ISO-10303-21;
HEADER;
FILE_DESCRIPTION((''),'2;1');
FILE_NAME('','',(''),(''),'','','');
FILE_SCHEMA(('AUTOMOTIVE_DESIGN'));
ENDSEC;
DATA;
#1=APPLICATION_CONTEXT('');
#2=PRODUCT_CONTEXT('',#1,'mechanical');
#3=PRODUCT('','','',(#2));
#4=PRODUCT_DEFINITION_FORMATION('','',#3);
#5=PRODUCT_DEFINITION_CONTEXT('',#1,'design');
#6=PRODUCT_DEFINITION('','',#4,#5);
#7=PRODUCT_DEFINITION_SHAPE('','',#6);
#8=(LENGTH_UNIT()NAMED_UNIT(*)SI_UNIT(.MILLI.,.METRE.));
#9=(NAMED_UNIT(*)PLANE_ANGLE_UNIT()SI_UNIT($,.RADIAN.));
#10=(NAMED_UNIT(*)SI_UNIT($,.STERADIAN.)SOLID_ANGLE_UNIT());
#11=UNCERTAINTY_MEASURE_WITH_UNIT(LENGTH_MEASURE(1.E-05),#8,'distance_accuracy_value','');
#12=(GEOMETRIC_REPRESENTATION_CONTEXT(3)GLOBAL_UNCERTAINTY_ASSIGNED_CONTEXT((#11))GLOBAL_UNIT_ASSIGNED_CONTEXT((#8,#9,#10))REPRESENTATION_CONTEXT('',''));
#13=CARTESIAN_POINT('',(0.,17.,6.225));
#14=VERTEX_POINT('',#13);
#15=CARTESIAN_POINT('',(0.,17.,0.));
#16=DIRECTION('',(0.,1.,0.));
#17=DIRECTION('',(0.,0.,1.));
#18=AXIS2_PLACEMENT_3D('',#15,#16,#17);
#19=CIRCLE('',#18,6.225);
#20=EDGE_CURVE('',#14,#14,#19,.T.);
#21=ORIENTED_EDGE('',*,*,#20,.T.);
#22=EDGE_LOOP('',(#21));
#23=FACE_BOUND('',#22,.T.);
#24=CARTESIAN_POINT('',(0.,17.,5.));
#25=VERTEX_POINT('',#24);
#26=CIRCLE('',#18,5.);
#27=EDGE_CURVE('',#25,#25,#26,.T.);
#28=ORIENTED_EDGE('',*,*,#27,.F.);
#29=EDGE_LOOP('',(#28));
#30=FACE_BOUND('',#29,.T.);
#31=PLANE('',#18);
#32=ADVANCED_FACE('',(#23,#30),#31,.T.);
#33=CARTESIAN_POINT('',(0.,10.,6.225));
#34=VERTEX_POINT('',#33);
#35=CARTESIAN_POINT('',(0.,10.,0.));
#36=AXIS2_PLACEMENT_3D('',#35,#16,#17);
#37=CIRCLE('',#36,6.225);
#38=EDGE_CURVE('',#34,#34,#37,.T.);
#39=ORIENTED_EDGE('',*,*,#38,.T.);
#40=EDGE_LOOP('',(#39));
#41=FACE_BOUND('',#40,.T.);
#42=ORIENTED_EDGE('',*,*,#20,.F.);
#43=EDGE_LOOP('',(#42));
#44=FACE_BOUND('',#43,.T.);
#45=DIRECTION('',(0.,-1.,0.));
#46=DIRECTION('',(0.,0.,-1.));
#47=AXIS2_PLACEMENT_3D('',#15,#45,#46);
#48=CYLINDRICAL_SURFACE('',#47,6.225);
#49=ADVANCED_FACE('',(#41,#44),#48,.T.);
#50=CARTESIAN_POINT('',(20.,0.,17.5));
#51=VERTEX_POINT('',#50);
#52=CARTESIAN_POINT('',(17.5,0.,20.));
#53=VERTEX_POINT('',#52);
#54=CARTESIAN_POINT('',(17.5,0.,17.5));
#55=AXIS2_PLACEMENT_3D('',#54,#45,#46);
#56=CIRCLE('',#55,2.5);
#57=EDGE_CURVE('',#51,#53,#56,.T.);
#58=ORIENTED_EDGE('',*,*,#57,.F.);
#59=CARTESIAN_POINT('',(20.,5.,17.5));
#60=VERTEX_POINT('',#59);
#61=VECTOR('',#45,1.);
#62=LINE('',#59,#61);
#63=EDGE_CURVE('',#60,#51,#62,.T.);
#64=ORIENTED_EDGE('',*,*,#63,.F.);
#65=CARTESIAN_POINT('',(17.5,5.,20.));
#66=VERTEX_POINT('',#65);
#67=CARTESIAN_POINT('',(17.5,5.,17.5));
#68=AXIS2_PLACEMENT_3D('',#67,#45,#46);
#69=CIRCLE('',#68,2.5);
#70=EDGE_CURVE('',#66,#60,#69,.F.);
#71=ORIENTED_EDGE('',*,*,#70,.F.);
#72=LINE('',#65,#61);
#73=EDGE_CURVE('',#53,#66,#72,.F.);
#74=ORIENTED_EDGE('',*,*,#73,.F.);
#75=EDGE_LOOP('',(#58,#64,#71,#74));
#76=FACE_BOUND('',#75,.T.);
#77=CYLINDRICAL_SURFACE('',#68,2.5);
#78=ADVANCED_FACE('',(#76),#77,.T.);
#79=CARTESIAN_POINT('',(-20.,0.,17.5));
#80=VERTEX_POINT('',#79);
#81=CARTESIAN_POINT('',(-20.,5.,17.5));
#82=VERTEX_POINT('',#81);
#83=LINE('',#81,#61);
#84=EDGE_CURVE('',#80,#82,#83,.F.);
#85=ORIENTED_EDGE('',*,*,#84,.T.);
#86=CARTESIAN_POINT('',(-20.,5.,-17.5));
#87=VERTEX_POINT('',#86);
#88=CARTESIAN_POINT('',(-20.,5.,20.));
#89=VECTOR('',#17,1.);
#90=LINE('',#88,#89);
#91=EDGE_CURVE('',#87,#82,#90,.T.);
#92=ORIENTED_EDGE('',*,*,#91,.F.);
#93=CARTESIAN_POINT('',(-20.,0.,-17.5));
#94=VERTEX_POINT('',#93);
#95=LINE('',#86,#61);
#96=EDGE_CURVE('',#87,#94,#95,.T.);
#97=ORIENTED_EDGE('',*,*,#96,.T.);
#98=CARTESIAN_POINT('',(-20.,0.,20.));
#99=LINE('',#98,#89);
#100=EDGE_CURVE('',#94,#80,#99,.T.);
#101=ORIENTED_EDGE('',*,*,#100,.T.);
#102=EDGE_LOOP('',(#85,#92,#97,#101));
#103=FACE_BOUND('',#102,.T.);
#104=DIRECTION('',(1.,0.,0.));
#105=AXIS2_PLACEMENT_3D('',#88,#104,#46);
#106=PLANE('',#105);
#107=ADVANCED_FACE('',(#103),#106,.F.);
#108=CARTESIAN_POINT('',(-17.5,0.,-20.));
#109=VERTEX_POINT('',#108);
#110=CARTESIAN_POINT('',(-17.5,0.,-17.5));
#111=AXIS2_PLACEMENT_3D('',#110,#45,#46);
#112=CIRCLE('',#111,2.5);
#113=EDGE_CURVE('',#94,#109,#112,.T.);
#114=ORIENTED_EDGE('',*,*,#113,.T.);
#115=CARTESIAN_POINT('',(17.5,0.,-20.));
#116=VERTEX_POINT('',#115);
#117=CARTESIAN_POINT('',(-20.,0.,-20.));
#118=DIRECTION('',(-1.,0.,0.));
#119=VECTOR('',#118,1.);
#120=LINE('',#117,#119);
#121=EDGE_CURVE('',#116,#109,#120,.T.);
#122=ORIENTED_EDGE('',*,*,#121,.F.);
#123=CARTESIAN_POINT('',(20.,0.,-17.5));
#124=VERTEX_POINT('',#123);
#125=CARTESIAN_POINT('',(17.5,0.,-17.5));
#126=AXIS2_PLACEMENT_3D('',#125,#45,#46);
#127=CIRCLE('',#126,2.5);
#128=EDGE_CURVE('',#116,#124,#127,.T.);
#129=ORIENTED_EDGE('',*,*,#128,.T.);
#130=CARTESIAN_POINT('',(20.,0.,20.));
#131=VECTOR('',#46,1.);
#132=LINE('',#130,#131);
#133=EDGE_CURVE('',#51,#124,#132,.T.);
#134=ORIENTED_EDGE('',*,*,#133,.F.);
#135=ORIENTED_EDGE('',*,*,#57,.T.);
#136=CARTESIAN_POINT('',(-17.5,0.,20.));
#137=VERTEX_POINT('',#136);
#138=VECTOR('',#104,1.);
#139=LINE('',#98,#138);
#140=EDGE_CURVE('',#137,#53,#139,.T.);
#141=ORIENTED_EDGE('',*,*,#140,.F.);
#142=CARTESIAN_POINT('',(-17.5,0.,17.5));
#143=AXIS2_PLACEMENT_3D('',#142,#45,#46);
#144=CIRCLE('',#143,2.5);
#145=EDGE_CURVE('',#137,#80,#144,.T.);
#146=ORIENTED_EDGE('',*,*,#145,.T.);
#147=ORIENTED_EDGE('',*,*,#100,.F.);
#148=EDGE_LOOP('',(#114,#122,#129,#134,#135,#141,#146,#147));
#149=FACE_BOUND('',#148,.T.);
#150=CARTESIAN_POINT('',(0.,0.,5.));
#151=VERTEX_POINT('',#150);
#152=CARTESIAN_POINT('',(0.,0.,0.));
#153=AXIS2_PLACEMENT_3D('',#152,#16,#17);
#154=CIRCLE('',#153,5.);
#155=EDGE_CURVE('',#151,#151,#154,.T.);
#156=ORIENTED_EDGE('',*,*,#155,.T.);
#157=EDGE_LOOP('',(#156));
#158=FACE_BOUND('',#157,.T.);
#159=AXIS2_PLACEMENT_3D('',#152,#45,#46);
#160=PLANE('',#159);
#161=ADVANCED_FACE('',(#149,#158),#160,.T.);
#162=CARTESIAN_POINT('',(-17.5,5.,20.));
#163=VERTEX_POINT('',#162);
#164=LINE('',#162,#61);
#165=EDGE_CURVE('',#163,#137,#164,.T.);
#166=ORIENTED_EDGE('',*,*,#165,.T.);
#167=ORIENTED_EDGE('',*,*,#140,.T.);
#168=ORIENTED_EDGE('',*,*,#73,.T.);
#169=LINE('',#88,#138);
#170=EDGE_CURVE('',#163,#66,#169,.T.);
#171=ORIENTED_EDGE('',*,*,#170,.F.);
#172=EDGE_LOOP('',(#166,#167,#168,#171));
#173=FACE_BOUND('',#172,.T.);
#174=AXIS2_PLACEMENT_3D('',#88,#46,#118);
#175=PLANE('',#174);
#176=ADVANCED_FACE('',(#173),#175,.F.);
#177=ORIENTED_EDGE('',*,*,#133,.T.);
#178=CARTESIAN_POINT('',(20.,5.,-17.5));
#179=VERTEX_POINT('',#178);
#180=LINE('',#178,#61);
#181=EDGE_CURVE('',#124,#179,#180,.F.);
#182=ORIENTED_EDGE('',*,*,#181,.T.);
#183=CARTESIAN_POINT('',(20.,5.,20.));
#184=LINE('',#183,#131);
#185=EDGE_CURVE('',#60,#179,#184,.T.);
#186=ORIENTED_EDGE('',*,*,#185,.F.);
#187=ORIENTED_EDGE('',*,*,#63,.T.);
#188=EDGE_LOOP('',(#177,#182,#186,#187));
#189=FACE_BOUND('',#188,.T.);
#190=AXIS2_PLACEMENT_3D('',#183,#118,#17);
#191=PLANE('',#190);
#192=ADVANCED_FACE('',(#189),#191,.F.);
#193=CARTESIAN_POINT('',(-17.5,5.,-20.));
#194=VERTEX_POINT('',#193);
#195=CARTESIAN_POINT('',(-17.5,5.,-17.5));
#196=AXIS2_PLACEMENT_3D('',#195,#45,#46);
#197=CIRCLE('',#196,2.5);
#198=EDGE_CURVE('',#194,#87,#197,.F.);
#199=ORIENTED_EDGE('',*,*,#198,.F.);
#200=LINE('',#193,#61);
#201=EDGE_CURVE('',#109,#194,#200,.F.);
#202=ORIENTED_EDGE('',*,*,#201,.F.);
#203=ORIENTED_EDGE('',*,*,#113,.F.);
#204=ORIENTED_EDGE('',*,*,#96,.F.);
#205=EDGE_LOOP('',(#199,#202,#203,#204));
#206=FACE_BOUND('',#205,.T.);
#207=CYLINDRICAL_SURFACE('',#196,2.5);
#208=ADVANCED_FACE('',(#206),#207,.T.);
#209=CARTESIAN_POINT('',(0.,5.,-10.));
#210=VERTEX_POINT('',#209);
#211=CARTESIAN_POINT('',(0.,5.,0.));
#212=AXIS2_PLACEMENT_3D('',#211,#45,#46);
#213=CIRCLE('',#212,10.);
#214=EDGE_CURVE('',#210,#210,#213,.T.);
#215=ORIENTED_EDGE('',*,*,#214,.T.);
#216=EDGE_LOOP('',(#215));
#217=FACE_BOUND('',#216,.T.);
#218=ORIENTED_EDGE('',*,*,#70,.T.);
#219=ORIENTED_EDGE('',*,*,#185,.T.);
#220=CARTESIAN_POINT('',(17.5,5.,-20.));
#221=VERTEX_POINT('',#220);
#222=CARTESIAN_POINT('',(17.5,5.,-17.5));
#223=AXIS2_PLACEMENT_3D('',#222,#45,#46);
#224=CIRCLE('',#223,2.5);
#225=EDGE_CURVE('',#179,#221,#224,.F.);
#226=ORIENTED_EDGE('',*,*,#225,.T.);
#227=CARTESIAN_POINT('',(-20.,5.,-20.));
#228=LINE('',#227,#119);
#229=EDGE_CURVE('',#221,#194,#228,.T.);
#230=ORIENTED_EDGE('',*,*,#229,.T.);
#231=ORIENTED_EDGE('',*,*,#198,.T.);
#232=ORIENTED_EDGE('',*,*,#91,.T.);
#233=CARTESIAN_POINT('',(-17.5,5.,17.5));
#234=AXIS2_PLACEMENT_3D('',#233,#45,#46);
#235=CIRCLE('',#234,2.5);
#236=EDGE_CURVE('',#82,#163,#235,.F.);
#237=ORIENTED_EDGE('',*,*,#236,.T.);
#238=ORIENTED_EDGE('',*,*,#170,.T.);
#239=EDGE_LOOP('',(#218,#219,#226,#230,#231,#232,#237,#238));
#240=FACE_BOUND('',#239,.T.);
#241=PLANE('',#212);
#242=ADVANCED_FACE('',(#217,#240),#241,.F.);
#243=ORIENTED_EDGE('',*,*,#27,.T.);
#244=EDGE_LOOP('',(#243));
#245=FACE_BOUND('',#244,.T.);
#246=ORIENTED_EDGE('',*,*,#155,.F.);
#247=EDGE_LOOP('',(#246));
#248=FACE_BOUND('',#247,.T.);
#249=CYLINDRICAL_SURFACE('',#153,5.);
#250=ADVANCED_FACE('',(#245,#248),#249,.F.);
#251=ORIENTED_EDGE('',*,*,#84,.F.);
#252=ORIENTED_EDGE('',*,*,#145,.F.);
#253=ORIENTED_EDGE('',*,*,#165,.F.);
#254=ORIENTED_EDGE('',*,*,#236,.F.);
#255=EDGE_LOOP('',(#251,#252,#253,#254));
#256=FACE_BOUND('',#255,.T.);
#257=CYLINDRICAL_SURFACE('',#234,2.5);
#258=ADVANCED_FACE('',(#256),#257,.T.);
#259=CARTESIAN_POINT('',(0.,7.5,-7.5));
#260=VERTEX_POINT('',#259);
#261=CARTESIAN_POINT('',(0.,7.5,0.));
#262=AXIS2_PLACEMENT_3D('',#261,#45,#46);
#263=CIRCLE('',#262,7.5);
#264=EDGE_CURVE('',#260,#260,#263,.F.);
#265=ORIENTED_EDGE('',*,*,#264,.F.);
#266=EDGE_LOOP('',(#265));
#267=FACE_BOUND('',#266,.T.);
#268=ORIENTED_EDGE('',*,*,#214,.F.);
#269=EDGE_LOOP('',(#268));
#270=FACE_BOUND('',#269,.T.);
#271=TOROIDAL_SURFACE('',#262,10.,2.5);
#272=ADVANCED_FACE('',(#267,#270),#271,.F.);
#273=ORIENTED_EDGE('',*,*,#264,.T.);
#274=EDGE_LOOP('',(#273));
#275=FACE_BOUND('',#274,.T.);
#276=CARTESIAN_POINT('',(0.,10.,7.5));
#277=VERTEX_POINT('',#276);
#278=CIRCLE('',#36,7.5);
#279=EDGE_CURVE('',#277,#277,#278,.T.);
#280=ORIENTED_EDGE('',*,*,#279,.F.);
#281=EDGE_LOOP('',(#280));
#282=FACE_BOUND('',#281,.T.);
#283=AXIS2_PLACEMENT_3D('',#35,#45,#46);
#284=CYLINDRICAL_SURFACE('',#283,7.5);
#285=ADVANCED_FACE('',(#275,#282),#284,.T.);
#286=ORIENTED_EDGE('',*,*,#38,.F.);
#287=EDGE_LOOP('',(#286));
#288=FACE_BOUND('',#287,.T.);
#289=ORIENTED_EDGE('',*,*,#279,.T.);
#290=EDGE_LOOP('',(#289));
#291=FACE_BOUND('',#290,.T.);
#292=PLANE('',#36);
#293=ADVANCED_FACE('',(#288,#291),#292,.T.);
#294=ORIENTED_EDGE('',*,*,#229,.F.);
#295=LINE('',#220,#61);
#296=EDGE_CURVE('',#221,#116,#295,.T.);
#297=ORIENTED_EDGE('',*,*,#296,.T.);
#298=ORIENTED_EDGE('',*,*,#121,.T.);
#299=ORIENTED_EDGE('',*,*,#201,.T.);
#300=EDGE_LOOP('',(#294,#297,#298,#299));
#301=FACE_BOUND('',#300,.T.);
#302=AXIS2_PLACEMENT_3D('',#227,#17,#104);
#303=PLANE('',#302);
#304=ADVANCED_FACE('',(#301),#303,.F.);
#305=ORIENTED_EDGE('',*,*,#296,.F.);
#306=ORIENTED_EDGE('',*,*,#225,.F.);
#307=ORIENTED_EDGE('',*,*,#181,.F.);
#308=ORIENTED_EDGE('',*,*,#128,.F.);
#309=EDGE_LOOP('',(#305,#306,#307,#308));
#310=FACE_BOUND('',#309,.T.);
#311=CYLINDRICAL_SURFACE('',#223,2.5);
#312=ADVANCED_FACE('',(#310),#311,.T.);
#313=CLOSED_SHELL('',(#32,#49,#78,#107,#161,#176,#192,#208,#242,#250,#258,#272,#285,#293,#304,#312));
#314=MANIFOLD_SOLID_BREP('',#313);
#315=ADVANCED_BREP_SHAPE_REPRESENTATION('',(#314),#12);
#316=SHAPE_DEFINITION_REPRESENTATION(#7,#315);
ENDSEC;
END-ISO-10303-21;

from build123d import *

# Parameters (mm, degrees)
SKETCH1_W           = 40
SKETCH1_H           = 40
BOSS_EXTRUDE1_DEPTH = 5
SKETCH2_R           = 7.5
BOSS_EXTRUDE2_DEPTH = 5
SKETCH4_R           = 6.225
BOSS_EXTRUDE3_DEPTH = 7
FILLET1_R           = 2.5
SKETCH5_R           = 5
CUT_EXTRUDE1_DEPTH  = 17


with BuildPart() as part:
    # Sketch1 → Boss-Extrude1 (new body)
    with BuildSketch(Plane(origin=(0, 0, 0), x_dir=(1, 0, 0), z_dir=(0, 1, 0))):
        Rectangle(SKETCH1_W, SKETCH1_H)
    extrude(amount=BOSS_EXTRUDE1_DEPTH)

    # Sketch2 → Boss-Extrude2 (add)
    with BuildSketch(Plane(origin=(0, 5, 0), x_dir=(1, 0, 0), z_dir=(0, 1, 0))):
        with Locations(Location((0, 0, 0), (0, 0, 270))):
            Circle(SKETCH2_R)
    extrude(amount=BOSS_EXTRUDE2_DEPTH)

    # Sketch4 → Boss-Extrude3 (add)
    with BuildSketch(Plane(origin=(0, 10, 0), x_dir=(1, 0, 0), z_dir=(0, 1, 0))):
        with Locations(Location((0, 0, 0), (0, 0, 270))):
            Circle(SKETCH4_R)
    extrude(amount=BOSS_EXTRUDE3_DEPTH)

    # Fillet1
    fillet1_edges = [part.edges().sort_by_distance(p)[0] for p in [
        (0, 5, -7.5),
        (20, 2.5, 20),
        (-20, 2.5, 20),
        (-20, 2.5, -20),
        (20, 2.5, -20),
    ]]
    fillet(fillet1_edges, radius=FILLET1_R)

    # Sketch5 → Cut-Extrude1 (cut)
    with BuildSketch(Plane(origin=(0, 17, 0), x_dir=(1, 0, 0), z_dir=(0, 1, 0))):
        with Locations(Location((0, 0, 0), (0, 0, 270))):
            Circle(SKETCH5_R)
    extrude(amount=-CUT_EXTRUDE1_DEPTH, mode=Mode.SUBTRACT)


solid = part.part
